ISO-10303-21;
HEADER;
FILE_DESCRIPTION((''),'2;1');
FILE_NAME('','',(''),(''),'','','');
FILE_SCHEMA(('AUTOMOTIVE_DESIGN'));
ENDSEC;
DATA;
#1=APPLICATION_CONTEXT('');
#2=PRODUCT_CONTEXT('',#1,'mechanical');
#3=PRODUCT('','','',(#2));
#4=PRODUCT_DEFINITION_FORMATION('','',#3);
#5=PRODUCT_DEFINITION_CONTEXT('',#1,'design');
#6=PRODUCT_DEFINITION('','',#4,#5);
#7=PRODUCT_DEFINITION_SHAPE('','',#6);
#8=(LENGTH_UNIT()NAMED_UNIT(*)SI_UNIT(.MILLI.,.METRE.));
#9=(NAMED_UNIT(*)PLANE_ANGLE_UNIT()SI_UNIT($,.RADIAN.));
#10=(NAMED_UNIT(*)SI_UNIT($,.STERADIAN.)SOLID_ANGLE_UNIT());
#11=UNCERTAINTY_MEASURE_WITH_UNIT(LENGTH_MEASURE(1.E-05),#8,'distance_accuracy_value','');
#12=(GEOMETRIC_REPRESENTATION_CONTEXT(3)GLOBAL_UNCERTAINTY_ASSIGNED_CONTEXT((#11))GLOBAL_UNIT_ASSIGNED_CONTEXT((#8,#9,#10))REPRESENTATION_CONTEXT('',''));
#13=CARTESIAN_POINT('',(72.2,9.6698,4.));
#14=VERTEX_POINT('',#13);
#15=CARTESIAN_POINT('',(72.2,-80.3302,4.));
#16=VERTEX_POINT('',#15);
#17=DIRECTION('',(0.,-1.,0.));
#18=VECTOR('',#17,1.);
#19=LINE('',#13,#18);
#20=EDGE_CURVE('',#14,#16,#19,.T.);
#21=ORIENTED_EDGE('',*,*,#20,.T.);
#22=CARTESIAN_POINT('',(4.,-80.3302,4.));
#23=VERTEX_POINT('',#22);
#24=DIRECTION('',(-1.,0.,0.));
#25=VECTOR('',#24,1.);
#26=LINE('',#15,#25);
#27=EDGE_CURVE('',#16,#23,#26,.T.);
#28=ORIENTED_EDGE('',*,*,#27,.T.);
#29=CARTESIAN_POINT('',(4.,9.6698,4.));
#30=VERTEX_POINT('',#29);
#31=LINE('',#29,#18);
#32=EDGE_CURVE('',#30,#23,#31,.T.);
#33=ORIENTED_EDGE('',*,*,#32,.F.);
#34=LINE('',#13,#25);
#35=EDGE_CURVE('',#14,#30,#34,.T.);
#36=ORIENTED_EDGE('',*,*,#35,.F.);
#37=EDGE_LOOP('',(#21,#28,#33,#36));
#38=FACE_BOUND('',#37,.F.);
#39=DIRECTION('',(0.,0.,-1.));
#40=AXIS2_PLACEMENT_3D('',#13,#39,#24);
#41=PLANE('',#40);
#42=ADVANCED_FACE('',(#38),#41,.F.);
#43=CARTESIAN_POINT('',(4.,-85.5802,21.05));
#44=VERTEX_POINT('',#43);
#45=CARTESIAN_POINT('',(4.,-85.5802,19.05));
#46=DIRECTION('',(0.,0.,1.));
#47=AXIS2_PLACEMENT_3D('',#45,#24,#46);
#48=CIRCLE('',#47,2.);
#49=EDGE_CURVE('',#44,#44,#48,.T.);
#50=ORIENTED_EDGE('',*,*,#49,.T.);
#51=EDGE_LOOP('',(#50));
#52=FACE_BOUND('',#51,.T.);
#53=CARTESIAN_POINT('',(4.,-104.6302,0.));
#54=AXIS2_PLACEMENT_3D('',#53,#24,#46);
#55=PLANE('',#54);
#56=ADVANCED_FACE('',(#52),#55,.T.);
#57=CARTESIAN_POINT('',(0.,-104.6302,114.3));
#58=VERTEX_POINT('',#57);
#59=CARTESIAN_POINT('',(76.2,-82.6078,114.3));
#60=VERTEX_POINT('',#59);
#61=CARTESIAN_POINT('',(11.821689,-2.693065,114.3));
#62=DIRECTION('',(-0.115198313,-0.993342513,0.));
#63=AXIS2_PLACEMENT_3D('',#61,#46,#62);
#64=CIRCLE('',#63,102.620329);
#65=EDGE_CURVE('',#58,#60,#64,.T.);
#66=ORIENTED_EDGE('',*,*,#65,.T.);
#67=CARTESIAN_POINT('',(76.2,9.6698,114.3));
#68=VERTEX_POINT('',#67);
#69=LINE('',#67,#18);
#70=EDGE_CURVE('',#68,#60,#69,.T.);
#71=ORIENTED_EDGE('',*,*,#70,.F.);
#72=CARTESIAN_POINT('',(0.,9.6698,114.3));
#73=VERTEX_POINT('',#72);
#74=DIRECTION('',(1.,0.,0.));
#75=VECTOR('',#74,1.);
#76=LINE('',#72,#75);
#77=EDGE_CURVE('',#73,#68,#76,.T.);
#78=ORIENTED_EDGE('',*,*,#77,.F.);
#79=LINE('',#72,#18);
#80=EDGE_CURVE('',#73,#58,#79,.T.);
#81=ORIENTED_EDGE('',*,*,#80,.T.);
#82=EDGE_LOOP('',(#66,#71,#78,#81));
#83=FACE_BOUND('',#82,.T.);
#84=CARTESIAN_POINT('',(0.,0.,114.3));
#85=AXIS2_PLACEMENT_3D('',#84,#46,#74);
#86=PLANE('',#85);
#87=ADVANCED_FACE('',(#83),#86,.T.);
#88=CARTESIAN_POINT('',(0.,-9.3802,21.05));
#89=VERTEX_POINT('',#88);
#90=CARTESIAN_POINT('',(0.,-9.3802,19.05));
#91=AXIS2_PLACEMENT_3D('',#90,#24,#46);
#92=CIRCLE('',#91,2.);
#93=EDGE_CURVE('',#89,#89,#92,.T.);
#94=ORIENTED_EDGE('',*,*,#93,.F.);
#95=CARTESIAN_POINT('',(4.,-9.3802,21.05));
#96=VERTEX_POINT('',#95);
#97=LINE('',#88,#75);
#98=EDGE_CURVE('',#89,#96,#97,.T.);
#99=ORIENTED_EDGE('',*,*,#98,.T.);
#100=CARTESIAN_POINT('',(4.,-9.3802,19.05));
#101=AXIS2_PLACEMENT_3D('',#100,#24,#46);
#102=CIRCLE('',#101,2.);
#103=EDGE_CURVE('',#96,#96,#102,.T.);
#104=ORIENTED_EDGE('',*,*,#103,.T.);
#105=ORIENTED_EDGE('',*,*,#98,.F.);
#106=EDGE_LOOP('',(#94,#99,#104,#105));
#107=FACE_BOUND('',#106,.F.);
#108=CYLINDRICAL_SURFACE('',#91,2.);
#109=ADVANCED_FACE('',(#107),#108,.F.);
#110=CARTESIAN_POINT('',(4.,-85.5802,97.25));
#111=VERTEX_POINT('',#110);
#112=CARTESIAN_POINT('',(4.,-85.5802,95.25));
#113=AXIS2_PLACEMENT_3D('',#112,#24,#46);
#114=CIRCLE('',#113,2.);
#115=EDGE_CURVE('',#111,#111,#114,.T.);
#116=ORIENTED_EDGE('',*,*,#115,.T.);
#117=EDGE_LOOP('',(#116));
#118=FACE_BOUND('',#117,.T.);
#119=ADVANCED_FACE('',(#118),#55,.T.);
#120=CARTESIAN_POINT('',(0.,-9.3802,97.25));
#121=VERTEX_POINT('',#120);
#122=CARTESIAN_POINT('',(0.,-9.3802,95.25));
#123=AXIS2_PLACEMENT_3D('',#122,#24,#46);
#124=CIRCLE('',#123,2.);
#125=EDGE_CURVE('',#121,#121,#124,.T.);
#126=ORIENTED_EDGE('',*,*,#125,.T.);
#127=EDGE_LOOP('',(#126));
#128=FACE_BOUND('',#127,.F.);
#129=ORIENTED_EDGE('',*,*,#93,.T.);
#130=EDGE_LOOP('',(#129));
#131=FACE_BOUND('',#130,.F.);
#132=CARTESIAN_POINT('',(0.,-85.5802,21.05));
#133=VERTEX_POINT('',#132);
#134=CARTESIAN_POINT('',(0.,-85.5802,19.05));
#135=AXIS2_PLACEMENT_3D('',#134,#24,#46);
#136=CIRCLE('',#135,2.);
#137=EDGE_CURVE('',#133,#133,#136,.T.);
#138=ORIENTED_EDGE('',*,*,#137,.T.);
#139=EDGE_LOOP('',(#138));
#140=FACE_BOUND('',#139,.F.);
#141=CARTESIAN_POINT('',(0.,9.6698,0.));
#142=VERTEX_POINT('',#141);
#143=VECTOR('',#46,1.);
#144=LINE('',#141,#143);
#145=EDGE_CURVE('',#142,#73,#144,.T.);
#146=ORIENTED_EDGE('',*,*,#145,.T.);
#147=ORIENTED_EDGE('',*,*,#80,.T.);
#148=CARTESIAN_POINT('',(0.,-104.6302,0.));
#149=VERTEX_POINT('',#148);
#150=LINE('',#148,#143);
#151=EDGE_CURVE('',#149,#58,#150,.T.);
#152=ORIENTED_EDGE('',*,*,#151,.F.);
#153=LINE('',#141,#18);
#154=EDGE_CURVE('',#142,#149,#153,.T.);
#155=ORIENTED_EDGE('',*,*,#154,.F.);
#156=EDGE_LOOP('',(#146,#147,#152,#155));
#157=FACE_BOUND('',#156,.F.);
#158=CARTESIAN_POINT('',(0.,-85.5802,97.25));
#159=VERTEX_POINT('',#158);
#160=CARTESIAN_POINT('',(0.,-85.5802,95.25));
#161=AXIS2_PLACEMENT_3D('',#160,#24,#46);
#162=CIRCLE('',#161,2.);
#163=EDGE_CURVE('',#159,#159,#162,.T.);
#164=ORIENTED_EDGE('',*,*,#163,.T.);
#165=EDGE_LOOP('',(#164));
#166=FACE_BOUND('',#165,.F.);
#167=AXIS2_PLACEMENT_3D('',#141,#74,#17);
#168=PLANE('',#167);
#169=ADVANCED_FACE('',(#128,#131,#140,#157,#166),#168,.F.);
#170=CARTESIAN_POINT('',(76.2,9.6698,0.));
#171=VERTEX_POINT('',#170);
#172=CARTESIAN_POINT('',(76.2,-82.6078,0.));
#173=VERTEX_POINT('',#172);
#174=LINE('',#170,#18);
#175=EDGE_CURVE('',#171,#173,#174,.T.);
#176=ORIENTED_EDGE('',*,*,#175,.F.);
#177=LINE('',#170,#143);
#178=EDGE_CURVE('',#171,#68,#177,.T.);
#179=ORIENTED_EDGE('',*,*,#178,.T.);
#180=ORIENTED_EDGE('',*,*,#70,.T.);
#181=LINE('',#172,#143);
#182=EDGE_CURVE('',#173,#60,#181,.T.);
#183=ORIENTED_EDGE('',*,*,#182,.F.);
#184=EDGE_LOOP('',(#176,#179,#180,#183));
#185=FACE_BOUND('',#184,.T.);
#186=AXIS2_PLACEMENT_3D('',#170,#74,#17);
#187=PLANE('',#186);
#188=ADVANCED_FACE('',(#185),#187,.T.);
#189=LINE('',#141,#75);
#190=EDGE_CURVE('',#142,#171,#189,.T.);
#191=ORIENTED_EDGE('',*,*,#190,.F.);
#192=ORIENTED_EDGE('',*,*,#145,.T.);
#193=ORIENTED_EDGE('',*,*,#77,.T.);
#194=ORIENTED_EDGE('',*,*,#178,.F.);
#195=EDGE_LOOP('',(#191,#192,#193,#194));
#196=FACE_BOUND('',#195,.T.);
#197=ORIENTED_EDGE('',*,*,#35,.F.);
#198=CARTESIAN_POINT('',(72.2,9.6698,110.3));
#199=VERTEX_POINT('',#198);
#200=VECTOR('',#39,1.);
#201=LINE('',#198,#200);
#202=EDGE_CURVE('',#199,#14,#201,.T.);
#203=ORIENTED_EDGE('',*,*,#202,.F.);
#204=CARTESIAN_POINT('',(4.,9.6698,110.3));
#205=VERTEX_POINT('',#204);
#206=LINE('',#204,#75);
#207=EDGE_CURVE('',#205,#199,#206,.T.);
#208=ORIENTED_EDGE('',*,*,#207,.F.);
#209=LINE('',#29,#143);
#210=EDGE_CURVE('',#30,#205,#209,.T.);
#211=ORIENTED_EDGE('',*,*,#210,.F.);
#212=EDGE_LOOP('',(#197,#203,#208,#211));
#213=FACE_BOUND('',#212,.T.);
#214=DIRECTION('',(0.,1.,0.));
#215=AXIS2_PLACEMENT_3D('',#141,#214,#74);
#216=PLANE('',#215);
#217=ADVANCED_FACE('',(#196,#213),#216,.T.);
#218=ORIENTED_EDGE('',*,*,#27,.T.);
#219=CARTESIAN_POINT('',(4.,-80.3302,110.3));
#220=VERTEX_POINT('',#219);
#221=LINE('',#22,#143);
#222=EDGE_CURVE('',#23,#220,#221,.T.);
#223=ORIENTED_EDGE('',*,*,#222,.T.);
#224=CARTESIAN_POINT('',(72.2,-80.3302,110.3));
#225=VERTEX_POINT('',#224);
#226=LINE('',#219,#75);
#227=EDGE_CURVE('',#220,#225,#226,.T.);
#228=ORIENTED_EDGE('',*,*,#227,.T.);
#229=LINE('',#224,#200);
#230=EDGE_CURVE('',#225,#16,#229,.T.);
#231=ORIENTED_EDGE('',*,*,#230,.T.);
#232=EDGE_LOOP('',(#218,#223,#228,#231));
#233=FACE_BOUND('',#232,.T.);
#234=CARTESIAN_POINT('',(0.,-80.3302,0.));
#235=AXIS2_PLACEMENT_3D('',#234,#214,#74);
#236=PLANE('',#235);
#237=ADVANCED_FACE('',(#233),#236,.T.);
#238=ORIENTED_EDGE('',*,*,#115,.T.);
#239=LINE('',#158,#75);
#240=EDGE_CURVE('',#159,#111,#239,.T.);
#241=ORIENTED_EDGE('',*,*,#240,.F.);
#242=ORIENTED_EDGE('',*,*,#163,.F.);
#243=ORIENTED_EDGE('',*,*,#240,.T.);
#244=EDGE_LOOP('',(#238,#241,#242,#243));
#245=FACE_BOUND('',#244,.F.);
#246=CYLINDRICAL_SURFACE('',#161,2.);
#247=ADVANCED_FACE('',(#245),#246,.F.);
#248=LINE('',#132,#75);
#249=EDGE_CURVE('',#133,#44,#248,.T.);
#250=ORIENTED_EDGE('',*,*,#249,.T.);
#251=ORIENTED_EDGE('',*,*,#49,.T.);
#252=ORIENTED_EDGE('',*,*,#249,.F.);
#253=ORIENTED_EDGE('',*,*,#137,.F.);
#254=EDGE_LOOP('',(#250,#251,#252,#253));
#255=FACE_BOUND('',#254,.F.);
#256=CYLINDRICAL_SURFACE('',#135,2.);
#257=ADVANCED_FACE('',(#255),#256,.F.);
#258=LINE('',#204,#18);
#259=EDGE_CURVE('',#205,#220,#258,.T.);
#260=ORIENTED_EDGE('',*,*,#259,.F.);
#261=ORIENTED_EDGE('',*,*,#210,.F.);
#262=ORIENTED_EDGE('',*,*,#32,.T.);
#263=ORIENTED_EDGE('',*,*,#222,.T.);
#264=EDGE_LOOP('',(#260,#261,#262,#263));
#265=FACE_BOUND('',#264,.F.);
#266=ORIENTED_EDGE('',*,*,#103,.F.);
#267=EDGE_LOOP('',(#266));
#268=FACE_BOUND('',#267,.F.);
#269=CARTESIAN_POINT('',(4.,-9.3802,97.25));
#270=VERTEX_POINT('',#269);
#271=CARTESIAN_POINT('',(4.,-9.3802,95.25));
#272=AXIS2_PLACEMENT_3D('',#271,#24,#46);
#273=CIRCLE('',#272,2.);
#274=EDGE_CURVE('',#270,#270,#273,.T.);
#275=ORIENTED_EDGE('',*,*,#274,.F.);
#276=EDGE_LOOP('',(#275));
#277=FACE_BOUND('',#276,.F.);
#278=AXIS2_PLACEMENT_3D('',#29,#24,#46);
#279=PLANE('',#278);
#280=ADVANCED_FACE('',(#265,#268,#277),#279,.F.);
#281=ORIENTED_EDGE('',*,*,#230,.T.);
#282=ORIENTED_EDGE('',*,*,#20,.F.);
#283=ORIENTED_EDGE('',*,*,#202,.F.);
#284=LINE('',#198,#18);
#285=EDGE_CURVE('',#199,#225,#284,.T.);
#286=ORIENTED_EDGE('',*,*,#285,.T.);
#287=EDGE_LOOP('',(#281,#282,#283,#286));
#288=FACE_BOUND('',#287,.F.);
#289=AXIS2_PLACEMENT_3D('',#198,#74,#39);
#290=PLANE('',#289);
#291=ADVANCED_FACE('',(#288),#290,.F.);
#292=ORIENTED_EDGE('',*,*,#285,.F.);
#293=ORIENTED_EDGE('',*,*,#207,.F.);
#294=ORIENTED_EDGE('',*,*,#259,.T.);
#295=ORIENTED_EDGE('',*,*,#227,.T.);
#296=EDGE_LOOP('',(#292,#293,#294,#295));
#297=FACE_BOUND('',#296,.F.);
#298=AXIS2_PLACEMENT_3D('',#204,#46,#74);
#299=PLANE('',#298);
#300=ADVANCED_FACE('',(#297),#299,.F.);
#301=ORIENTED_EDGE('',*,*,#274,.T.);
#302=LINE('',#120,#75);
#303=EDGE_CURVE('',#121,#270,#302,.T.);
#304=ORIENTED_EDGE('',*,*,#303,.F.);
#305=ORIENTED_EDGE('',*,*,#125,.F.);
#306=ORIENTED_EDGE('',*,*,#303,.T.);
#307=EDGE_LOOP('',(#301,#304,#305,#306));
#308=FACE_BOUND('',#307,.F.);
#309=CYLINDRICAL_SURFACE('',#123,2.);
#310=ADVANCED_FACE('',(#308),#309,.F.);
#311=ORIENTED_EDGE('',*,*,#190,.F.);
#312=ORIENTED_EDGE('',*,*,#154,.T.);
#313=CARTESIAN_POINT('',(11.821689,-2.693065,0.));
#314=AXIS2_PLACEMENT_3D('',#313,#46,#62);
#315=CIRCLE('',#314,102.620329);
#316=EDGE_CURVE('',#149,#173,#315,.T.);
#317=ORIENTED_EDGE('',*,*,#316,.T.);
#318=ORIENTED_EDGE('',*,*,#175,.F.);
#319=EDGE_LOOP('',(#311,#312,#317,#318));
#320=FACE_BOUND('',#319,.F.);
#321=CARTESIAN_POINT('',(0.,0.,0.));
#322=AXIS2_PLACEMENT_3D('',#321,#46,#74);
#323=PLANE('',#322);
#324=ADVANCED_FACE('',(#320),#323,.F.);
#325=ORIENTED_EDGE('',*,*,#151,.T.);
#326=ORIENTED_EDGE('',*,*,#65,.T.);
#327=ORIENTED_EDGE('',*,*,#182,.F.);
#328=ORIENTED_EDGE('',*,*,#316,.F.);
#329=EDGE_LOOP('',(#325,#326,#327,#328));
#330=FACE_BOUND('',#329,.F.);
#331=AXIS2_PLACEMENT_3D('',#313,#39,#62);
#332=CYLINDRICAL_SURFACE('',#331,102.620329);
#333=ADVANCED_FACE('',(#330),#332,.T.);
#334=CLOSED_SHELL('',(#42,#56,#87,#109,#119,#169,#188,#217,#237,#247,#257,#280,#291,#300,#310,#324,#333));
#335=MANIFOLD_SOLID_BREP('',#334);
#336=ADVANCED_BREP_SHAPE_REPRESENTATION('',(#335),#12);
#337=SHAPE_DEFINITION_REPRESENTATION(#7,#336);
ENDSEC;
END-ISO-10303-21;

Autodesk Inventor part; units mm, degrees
ref_plane "YZ Plane" through (0, 0, 0) normal (1, 0, 0) x (0, 1, 0)
ref_plane "XZ Plane" through (0, 0, 0) normal (0, 1, 0) x (-1, 0, 0)
ref_plane "XY Plane" through (0, 0, 0) normal (0, 0, 1) x (1, 0, 0)
sketch "Sketch1" plane through (0, 0, 0) normal (0, 0, 1) x (1, 0, 0)
  line L0 (0, 9.6698) -> (0, -104.6302)
  line L1 (0, 9.6698) -> (76.2, 9.6698)
  line L2 (76.2, 9.6698) -> (76.2, -82.6078)
  arc A0 (0, -104.6302) -> (76.2, -82.6078) centre (11.8217, -2.6932) ccw
  point P0 (0, 0)
  dimension "d0" = 114.3
  dimension "d1" = 76.2
extrude "Extrusion1" add sketch "Sketch1" along normal blind 114.3
sketch "Sketch2" plane through (0, 9.6698, 0) normal (0, 1, 0) x (1, 0, 0)
  line L0 (72.2, -4) -> (4, -4)
  line L1 (4, -4) -> (4, -110.3)
  line L2 (4, -110.3) -> (72.2, -110.3)
  line L3 (72.2, -110.3) -> (72.2, -4)
  line L4 (76.2, -114.3) -> (0, -114.3) projected
  line L5 (76.2, 0) -> (0, 0) projected
  line L6 (76.2, 0) -> (76.2, -114.3) projected
  line L7 (0, 0) -> (0, -114.3) projected
  dimension "d4" = 4
  dimension "d5" = 4
  dimension "d6" = 4
  dimension "d7" = 4
extrude "Extrusion2" cut sketch "Sketch2" against normal blind 90 contours L3 L2 L1 L0
sketch "Sketch3" plane through (0, -104.6302, 0) normal (-1, 0, 0) x (0, 0, 1)
  circle A0 centre (19.05, 95.25) radius 2
  circle A1 centre (95.25, 95.25) radius 2
  circle A2 centre (19.05, 19.05) radius 2
  circle A3 centre (95.25, 19.05) radius 2
  line L0 (0, 114.3) -> (114.3, 114.3) projected
  line L1 (0, 114.3) -> (0, 0) projected
  line L2 (114.3, 114.3) -> (114.3, 0) projected
  line L3 (0, 0) -> (114.3, 0) projected
  point P0 (0, 104.6302)
  dimension "d10" = 4
  dimension "d11" = 4
  dimension "d12" = 4
  dimension "d13" = 4
  dimension "d14" = 19.05
  dimension "d15" = 19.05
  dimension "d16" = 19.05
  dimension "d17" = 19.05
  dimension "d18" = 19.05
  dimension "d19" = 19.05
  dimension "d20" = 19.05
  dimension "d21" = 19.05
extrude "Extrusion3" cut sketch "Sketch3" against normal blind 4 contours A0 | A1 | A2 | A3
equation "\"d22\" = d12"
properties part number "ashish1" material "PBT Plastic"
